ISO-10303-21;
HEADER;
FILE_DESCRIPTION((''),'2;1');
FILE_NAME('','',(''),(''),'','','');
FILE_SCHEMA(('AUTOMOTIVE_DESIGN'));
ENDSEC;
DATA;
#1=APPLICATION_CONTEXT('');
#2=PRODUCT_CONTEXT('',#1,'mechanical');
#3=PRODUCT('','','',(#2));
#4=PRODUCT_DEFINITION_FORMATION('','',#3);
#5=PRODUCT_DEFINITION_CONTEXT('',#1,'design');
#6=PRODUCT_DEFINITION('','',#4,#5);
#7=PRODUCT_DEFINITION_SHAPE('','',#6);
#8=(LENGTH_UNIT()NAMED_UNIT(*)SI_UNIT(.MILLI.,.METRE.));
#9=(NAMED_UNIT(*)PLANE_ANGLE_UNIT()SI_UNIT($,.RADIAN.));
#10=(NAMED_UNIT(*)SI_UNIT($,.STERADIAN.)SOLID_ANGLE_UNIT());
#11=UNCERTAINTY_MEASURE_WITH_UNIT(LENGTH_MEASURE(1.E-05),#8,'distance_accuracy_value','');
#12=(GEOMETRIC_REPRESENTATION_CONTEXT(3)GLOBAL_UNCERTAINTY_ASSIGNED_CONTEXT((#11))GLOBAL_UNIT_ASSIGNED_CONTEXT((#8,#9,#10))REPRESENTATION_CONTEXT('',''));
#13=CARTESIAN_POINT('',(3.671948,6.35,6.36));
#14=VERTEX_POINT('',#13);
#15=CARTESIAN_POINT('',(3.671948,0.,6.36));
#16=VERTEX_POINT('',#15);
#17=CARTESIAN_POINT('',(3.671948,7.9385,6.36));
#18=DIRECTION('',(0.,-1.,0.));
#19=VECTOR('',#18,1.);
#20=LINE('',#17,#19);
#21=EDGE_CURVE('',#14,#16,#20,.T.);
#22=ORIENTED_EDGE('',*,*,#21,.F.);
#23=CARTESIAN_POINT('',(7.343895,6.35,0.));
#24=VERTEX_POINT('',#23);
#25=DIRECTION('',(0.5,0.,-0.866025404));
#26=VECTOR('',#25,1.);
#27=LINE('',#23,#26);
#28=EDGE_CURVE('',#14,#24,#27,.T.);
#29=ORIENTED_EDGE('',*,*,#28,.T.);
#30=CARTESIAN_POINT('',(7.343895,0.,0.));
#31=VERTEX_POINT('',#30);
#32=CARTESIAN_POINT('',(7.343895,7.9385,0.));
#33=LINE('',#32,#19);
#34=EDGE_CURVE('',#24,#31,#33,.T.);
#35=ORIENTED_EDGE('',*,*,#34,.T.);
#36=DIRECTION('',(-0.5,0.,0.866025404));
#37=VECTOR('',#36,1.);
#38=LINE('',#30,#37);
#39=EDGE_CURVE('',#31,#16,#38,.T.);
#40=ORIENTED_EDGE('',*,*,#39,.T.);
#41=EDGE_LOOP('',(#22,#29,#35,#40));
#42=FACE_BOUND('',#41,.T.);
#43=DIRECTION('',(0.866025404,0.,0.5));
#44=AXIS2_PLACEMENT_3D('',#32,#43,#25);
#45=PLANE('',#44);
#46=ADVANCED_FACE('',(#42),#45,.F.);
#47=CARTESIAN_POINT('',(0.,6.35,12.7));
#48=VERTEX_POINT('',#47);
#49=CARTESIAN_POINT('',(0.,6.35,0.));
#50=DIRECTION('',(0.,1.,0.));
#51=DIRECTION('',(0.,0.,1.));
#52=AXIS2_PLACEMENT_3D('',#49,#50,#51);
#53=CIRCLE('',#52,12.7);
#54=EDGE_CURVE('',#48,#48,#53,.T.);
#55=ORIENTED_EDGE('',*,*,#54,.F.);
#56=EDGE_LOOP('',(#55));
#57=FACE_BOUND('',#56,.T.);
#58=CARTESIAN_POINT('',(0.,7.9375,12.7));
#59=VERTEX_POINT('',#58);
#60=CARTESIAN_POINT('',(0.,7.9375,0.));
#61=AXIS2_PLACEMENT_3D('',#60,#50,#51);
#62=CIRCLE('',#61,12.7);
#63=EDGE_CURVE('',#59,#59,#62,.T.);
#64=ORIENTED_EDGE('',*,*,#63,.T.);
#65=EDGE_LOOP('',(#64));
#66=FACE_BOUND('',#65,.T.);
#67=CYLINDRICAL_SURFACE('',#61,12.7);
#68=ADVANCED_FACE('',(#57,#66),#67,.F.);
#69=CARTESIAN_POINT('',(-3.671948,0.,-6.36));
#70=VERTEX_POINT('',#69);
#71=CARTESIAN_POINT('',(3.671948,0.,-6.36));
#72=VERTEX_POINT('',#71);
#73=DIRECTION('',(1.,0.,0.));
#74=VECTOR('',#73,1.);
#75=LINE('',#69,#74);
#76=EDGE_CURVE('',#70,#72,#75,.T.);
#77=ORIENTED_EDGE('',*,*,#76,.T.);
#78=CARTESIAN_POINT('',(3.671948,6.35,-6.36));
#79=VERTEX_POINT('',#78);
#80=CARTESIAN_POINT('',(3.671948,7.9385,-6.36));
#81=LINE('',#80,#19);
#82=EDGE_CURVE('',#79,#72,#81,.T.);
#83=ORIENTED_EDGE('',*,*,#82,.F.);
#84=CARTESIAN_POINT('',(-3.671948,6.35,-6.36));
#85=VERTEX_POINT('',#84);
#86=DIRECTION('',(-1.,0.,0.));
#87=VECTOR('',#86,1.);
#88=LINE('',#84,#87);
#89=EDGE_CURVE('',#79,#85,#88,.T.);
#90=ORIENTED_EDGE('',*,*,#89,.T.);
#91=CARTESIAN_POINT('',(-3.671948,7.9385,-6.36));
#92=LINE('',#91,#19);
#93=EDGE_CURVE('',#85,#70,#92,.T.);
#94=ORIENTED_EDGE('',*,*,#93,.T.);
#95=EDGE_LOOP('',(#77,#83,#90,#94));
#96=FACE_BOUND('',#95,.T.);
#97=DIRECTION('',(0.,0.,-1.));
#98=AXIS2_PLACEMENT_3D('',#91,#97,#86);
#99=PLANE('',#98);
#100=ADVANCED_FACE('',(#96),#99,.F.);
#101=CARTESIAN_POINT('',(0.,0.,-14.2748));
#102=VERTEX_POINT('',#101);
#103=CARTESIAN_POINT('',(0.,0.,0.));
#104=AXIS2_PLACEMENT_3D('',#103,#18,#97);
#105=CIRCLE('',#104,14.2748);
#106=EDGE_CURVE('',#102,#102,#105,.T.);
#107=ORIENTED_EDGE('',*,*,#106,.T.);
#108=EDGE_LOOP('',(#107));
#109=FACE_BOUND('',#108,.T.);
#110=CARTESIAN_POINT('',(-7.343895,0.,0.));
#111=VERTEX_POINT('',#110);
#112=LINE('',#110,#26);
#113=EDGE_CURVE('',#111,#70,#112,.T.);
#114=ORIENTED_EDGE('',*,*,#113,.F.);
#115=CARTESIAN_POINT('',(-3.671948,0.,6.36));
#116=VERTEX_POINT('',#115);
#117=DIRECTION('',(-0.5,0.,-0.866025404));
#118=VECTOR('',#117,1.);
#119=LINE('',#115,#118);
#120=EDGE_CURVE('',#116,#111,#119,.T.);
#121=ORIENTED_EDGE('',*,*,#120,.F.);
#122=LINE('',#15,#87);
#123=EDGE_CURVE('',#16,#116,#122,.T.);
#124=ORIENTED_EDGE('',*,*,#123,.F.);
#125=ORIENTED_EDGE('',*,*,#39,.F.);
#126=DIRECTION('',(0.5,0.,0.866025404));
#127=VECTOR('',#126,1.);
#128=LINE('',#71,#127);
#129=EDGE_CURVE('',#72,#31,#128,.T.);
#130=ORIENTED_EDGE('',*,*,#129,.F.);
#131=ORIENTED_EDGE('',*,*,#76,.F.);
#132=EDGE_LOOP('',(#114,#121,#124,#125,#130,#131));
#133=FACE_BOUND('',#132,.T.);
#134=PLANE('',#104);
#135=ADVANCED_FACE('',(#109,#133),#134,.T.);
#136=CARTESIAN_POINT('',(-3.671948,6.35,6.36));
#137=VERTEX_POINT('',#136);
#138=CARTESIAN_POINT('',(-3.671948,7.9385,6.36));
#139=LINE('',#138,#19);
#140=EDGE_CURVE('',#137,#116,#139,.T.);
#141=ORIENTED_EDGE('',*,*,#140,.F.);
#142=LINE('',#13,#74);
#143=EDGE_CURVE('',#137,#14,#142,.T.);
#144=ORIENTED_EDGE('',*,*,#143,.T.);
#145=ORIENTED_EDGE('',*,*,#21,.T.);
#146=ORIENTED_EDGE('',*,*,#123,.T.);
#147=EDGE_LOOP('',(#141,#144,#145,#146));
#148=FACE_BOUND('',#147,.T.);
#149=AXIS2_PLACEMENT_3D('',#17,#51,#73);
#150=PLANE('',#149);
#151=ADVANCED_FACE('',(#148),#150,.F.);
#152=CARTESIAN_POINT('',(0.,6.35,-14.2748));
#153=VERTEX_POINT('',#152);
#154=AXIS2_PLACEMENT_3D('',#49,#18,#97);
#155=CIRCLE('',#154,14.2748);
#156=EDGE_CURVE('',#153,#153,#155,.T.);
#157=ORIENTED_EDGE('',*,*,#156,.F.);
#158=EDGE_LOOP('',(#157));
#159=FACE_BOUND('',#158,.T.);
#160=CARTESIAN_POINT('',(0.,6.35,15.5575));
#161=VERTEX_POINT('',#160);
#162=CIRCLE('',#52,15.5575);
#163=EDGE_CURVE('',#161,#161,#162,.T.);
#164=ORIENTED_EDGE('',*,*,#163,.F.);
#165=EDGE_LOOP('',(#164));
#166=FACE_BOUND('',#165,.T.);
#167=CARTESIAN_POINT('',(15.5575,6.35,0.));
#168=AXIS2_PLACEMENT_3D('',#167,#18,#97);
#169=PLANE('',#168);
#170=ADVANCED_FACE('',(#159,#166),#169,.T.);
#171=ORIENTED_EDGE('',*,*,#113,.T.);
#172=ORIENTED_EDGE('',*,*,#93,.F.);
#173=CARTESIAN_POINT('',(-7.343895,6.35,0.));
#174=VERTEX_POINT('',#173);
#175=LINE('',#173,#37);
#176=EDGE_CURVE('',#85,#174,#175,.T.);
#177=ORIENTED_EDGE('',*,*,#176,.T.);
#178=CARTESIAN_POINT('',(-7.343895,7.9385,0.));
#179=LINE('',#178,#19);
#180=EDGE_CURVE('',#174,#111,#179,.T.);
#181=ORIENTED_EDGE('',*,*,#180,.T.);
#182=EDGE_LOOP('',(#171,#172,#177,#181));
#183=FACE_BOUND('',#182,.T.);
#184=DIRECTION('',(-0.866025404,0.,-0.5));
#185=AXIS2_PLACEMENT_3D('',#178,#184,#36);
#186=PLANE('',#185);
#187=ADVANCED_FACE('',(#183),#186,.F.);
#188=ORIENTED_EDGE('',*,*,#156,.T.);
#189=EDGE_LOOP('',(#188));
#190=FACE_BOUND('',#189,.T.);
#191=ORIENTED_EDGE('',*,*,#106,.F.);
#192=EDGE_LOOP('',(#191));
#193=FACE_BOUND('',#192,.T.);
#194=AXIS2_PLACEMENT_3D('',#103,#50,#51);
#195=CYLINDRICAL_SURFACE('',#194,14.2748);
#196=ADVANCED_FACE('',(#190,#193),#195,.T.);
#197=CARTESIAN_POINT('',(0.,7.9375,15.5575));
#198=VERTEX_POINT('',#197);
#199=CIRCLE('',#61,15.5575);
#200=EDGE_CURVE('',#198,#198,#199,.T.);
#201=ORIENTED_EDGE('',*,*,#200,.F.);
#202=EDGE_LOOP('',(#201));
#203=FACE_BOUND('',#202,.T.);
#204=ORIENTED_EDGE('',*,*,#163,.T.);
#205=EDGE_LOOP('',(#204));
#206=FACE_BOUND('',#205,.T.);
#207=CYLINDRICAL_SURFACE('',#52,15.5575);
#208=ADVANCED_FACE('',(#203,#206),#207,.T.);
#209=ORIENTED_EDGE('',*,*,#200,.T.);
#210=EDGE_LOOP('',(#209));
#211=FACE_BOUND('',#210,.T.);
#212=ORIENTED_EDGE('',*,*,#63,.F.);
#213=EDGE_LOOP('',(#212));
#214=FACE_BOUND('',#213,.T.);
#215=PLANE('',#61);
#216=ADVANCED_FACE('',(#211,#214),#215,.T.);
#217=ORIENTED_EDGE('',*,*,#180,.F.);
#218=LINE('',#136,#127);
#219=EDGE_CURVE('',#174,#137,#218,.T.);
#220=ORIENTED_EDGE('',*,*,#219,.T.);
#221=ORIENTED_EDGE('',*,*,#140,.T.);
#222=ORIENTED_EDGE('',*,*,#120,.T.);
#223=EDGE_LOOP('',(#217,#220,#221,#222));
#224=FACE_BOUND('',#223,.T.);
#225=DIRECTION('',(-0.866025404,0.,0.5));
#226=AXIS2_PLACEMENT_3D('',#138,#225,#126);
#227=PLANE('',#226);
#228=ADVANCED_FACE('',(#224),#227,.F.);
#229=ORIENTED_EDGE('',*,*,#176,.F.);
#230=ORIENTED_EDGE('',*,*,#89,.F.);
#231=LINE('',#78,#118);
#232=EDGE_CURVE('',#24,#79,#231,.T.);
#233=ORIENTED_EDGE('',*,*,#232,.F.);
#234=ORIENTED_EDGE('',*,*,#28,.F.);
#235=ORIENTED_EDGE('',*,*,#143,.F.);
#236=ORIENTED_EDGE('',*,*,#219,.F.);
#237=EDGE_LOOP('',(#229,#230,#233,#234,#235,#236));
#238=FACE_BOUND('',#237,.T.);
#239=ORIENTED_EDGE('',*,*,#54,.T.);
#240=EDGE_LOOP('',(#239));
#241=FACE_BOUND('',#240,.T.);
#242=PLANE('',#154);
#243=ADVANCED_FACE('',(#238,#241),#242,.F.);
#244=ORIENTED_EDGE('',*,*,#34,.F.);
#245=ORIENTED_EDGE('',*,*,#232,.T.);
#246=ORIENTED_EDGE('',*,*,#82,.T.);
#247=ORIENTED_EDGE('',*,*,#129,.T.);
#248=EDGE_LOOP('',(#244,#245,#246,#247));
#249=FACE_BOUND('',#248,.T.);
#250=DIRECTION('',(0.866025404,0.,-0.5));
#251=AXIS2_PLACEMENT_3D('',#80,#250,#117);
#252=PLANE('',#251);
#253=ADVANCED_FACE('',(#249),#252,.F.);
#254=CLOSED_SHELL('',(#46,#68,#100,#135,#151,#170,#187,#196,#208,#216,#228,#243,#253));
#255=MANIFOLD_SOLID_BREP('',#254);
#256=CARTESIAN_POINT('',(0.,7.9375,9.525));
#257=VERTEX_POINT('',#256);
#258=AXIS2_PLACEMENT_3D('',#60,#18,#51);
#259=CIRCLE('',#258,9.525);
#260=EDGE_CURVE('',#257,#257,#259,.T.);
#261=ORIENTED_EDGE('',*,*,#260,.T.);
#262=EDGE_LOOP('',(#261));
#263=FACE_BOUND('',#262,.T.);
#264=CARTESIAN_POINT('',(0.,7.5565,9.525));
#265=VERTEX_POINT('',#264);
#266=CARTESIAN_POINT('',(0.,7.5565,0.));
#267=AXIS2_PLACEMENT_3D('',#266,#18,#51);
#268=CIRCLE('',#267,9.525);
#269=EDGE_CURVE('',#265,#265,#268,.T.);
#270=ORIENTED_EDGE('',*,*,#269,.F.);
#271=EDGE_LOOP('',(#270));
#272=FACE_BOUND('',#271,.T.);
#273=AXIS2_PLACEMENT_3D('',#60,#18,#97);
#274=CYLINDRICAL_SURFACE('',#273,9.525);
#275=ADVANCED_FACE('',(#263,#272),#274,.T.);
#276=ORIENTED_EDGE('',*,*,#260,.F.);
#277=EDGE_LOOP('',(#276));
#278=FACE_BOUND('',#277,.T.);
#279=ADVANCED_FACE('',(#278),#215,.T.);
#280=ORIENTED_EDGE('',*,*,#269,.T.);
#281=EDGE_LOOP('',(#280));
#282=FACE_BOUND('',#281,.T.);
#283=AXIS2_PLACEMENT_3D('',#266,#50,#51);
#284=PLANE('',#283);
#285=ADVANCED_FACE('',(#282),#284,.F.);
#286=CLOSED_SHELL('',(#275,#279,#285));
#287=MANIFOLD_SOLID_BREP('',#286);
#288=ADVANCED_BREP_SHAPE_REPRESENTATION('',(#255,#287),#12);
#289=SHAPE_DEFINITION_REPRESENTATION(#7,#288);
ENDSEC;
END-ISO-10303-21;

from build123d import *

# Parameters (mm, degrees)
SKETCH1_W                 = 15.5575
SKETCH1_H                 = 1.5875
M22_CLEARANCE_HOLE1_D     = 25.4
M22_CLEARANCE_HOLE1_DEPTH = 1.5875
SKETCH4_R                 = 9.525
BOSS_EXTRUDE1_DEPTH       = 0.381
SKETCH5_R                 = 14.2748
BOSS_EXTRUDE2_DEPTH       = 6.35
CUT_EXTRUDE1_DEPTH        = 6.35


with BuildPart() as part:
    # Sketch1 → Revolve1 (revolve)
    with BuildSketch(Plane(origin=(0, 0, 0), x_dir=(-1, 0, 0), z_dir=(0, 0, -1))):
        with Locations((-7.77875, 7.14375)):
            Rectangle(SKETCH1_W, SKETCH1_H)
    revolve(axis=Axis((0, 6.35, 0), (0, 1, 0)))

    # M22 Clearance Hole1
    with Locations(Plane(origin=(0, 7.9375, 0), x_dir=(1, 0, 0), z_dir=(0, 1, 0))):
        with Locations((0, 0)):
            Hole(M22_CLEARANCE_HOLE1_D / 2, depth=M22_CLEARANCE_HOLE1_DEPTH)

    # Sketch5 → Boss-Extrude2 (add)
    with BuildSketch(Plane.XZ.offset(-6.35)):
        Circle(SKETCH5_R)
    extrude(amount=BOSS_EXTRUDE2_DEPTH)

    # Sketch6 → Cut-Extrude1 (cut)
    with BuildSketch(Plane.XZ):
        Polygon((-3.671947712, 6.36), (-7.343895424, 0), (-3.671947712, -6.36), (3.671947712, -6.36), (7.343895424, 0), (3.671947712, 6.36), align=None)
    extrude(amount=-CUT_EXTRUDE1_DEPTH, mode=Mode.SUBTRACT)


with BuildPart() as body_2:
    # Sketch4 → Boss-Extrude1 (new body)
    with BuildSketch(Plane.XZ.offset(-7.5565)):
        Circle(SKETCH4_R)
    extrude(amount=-BOSS_EXTRUDE1_DEPTH)


solid = Compound([part.part, body_2.part])
